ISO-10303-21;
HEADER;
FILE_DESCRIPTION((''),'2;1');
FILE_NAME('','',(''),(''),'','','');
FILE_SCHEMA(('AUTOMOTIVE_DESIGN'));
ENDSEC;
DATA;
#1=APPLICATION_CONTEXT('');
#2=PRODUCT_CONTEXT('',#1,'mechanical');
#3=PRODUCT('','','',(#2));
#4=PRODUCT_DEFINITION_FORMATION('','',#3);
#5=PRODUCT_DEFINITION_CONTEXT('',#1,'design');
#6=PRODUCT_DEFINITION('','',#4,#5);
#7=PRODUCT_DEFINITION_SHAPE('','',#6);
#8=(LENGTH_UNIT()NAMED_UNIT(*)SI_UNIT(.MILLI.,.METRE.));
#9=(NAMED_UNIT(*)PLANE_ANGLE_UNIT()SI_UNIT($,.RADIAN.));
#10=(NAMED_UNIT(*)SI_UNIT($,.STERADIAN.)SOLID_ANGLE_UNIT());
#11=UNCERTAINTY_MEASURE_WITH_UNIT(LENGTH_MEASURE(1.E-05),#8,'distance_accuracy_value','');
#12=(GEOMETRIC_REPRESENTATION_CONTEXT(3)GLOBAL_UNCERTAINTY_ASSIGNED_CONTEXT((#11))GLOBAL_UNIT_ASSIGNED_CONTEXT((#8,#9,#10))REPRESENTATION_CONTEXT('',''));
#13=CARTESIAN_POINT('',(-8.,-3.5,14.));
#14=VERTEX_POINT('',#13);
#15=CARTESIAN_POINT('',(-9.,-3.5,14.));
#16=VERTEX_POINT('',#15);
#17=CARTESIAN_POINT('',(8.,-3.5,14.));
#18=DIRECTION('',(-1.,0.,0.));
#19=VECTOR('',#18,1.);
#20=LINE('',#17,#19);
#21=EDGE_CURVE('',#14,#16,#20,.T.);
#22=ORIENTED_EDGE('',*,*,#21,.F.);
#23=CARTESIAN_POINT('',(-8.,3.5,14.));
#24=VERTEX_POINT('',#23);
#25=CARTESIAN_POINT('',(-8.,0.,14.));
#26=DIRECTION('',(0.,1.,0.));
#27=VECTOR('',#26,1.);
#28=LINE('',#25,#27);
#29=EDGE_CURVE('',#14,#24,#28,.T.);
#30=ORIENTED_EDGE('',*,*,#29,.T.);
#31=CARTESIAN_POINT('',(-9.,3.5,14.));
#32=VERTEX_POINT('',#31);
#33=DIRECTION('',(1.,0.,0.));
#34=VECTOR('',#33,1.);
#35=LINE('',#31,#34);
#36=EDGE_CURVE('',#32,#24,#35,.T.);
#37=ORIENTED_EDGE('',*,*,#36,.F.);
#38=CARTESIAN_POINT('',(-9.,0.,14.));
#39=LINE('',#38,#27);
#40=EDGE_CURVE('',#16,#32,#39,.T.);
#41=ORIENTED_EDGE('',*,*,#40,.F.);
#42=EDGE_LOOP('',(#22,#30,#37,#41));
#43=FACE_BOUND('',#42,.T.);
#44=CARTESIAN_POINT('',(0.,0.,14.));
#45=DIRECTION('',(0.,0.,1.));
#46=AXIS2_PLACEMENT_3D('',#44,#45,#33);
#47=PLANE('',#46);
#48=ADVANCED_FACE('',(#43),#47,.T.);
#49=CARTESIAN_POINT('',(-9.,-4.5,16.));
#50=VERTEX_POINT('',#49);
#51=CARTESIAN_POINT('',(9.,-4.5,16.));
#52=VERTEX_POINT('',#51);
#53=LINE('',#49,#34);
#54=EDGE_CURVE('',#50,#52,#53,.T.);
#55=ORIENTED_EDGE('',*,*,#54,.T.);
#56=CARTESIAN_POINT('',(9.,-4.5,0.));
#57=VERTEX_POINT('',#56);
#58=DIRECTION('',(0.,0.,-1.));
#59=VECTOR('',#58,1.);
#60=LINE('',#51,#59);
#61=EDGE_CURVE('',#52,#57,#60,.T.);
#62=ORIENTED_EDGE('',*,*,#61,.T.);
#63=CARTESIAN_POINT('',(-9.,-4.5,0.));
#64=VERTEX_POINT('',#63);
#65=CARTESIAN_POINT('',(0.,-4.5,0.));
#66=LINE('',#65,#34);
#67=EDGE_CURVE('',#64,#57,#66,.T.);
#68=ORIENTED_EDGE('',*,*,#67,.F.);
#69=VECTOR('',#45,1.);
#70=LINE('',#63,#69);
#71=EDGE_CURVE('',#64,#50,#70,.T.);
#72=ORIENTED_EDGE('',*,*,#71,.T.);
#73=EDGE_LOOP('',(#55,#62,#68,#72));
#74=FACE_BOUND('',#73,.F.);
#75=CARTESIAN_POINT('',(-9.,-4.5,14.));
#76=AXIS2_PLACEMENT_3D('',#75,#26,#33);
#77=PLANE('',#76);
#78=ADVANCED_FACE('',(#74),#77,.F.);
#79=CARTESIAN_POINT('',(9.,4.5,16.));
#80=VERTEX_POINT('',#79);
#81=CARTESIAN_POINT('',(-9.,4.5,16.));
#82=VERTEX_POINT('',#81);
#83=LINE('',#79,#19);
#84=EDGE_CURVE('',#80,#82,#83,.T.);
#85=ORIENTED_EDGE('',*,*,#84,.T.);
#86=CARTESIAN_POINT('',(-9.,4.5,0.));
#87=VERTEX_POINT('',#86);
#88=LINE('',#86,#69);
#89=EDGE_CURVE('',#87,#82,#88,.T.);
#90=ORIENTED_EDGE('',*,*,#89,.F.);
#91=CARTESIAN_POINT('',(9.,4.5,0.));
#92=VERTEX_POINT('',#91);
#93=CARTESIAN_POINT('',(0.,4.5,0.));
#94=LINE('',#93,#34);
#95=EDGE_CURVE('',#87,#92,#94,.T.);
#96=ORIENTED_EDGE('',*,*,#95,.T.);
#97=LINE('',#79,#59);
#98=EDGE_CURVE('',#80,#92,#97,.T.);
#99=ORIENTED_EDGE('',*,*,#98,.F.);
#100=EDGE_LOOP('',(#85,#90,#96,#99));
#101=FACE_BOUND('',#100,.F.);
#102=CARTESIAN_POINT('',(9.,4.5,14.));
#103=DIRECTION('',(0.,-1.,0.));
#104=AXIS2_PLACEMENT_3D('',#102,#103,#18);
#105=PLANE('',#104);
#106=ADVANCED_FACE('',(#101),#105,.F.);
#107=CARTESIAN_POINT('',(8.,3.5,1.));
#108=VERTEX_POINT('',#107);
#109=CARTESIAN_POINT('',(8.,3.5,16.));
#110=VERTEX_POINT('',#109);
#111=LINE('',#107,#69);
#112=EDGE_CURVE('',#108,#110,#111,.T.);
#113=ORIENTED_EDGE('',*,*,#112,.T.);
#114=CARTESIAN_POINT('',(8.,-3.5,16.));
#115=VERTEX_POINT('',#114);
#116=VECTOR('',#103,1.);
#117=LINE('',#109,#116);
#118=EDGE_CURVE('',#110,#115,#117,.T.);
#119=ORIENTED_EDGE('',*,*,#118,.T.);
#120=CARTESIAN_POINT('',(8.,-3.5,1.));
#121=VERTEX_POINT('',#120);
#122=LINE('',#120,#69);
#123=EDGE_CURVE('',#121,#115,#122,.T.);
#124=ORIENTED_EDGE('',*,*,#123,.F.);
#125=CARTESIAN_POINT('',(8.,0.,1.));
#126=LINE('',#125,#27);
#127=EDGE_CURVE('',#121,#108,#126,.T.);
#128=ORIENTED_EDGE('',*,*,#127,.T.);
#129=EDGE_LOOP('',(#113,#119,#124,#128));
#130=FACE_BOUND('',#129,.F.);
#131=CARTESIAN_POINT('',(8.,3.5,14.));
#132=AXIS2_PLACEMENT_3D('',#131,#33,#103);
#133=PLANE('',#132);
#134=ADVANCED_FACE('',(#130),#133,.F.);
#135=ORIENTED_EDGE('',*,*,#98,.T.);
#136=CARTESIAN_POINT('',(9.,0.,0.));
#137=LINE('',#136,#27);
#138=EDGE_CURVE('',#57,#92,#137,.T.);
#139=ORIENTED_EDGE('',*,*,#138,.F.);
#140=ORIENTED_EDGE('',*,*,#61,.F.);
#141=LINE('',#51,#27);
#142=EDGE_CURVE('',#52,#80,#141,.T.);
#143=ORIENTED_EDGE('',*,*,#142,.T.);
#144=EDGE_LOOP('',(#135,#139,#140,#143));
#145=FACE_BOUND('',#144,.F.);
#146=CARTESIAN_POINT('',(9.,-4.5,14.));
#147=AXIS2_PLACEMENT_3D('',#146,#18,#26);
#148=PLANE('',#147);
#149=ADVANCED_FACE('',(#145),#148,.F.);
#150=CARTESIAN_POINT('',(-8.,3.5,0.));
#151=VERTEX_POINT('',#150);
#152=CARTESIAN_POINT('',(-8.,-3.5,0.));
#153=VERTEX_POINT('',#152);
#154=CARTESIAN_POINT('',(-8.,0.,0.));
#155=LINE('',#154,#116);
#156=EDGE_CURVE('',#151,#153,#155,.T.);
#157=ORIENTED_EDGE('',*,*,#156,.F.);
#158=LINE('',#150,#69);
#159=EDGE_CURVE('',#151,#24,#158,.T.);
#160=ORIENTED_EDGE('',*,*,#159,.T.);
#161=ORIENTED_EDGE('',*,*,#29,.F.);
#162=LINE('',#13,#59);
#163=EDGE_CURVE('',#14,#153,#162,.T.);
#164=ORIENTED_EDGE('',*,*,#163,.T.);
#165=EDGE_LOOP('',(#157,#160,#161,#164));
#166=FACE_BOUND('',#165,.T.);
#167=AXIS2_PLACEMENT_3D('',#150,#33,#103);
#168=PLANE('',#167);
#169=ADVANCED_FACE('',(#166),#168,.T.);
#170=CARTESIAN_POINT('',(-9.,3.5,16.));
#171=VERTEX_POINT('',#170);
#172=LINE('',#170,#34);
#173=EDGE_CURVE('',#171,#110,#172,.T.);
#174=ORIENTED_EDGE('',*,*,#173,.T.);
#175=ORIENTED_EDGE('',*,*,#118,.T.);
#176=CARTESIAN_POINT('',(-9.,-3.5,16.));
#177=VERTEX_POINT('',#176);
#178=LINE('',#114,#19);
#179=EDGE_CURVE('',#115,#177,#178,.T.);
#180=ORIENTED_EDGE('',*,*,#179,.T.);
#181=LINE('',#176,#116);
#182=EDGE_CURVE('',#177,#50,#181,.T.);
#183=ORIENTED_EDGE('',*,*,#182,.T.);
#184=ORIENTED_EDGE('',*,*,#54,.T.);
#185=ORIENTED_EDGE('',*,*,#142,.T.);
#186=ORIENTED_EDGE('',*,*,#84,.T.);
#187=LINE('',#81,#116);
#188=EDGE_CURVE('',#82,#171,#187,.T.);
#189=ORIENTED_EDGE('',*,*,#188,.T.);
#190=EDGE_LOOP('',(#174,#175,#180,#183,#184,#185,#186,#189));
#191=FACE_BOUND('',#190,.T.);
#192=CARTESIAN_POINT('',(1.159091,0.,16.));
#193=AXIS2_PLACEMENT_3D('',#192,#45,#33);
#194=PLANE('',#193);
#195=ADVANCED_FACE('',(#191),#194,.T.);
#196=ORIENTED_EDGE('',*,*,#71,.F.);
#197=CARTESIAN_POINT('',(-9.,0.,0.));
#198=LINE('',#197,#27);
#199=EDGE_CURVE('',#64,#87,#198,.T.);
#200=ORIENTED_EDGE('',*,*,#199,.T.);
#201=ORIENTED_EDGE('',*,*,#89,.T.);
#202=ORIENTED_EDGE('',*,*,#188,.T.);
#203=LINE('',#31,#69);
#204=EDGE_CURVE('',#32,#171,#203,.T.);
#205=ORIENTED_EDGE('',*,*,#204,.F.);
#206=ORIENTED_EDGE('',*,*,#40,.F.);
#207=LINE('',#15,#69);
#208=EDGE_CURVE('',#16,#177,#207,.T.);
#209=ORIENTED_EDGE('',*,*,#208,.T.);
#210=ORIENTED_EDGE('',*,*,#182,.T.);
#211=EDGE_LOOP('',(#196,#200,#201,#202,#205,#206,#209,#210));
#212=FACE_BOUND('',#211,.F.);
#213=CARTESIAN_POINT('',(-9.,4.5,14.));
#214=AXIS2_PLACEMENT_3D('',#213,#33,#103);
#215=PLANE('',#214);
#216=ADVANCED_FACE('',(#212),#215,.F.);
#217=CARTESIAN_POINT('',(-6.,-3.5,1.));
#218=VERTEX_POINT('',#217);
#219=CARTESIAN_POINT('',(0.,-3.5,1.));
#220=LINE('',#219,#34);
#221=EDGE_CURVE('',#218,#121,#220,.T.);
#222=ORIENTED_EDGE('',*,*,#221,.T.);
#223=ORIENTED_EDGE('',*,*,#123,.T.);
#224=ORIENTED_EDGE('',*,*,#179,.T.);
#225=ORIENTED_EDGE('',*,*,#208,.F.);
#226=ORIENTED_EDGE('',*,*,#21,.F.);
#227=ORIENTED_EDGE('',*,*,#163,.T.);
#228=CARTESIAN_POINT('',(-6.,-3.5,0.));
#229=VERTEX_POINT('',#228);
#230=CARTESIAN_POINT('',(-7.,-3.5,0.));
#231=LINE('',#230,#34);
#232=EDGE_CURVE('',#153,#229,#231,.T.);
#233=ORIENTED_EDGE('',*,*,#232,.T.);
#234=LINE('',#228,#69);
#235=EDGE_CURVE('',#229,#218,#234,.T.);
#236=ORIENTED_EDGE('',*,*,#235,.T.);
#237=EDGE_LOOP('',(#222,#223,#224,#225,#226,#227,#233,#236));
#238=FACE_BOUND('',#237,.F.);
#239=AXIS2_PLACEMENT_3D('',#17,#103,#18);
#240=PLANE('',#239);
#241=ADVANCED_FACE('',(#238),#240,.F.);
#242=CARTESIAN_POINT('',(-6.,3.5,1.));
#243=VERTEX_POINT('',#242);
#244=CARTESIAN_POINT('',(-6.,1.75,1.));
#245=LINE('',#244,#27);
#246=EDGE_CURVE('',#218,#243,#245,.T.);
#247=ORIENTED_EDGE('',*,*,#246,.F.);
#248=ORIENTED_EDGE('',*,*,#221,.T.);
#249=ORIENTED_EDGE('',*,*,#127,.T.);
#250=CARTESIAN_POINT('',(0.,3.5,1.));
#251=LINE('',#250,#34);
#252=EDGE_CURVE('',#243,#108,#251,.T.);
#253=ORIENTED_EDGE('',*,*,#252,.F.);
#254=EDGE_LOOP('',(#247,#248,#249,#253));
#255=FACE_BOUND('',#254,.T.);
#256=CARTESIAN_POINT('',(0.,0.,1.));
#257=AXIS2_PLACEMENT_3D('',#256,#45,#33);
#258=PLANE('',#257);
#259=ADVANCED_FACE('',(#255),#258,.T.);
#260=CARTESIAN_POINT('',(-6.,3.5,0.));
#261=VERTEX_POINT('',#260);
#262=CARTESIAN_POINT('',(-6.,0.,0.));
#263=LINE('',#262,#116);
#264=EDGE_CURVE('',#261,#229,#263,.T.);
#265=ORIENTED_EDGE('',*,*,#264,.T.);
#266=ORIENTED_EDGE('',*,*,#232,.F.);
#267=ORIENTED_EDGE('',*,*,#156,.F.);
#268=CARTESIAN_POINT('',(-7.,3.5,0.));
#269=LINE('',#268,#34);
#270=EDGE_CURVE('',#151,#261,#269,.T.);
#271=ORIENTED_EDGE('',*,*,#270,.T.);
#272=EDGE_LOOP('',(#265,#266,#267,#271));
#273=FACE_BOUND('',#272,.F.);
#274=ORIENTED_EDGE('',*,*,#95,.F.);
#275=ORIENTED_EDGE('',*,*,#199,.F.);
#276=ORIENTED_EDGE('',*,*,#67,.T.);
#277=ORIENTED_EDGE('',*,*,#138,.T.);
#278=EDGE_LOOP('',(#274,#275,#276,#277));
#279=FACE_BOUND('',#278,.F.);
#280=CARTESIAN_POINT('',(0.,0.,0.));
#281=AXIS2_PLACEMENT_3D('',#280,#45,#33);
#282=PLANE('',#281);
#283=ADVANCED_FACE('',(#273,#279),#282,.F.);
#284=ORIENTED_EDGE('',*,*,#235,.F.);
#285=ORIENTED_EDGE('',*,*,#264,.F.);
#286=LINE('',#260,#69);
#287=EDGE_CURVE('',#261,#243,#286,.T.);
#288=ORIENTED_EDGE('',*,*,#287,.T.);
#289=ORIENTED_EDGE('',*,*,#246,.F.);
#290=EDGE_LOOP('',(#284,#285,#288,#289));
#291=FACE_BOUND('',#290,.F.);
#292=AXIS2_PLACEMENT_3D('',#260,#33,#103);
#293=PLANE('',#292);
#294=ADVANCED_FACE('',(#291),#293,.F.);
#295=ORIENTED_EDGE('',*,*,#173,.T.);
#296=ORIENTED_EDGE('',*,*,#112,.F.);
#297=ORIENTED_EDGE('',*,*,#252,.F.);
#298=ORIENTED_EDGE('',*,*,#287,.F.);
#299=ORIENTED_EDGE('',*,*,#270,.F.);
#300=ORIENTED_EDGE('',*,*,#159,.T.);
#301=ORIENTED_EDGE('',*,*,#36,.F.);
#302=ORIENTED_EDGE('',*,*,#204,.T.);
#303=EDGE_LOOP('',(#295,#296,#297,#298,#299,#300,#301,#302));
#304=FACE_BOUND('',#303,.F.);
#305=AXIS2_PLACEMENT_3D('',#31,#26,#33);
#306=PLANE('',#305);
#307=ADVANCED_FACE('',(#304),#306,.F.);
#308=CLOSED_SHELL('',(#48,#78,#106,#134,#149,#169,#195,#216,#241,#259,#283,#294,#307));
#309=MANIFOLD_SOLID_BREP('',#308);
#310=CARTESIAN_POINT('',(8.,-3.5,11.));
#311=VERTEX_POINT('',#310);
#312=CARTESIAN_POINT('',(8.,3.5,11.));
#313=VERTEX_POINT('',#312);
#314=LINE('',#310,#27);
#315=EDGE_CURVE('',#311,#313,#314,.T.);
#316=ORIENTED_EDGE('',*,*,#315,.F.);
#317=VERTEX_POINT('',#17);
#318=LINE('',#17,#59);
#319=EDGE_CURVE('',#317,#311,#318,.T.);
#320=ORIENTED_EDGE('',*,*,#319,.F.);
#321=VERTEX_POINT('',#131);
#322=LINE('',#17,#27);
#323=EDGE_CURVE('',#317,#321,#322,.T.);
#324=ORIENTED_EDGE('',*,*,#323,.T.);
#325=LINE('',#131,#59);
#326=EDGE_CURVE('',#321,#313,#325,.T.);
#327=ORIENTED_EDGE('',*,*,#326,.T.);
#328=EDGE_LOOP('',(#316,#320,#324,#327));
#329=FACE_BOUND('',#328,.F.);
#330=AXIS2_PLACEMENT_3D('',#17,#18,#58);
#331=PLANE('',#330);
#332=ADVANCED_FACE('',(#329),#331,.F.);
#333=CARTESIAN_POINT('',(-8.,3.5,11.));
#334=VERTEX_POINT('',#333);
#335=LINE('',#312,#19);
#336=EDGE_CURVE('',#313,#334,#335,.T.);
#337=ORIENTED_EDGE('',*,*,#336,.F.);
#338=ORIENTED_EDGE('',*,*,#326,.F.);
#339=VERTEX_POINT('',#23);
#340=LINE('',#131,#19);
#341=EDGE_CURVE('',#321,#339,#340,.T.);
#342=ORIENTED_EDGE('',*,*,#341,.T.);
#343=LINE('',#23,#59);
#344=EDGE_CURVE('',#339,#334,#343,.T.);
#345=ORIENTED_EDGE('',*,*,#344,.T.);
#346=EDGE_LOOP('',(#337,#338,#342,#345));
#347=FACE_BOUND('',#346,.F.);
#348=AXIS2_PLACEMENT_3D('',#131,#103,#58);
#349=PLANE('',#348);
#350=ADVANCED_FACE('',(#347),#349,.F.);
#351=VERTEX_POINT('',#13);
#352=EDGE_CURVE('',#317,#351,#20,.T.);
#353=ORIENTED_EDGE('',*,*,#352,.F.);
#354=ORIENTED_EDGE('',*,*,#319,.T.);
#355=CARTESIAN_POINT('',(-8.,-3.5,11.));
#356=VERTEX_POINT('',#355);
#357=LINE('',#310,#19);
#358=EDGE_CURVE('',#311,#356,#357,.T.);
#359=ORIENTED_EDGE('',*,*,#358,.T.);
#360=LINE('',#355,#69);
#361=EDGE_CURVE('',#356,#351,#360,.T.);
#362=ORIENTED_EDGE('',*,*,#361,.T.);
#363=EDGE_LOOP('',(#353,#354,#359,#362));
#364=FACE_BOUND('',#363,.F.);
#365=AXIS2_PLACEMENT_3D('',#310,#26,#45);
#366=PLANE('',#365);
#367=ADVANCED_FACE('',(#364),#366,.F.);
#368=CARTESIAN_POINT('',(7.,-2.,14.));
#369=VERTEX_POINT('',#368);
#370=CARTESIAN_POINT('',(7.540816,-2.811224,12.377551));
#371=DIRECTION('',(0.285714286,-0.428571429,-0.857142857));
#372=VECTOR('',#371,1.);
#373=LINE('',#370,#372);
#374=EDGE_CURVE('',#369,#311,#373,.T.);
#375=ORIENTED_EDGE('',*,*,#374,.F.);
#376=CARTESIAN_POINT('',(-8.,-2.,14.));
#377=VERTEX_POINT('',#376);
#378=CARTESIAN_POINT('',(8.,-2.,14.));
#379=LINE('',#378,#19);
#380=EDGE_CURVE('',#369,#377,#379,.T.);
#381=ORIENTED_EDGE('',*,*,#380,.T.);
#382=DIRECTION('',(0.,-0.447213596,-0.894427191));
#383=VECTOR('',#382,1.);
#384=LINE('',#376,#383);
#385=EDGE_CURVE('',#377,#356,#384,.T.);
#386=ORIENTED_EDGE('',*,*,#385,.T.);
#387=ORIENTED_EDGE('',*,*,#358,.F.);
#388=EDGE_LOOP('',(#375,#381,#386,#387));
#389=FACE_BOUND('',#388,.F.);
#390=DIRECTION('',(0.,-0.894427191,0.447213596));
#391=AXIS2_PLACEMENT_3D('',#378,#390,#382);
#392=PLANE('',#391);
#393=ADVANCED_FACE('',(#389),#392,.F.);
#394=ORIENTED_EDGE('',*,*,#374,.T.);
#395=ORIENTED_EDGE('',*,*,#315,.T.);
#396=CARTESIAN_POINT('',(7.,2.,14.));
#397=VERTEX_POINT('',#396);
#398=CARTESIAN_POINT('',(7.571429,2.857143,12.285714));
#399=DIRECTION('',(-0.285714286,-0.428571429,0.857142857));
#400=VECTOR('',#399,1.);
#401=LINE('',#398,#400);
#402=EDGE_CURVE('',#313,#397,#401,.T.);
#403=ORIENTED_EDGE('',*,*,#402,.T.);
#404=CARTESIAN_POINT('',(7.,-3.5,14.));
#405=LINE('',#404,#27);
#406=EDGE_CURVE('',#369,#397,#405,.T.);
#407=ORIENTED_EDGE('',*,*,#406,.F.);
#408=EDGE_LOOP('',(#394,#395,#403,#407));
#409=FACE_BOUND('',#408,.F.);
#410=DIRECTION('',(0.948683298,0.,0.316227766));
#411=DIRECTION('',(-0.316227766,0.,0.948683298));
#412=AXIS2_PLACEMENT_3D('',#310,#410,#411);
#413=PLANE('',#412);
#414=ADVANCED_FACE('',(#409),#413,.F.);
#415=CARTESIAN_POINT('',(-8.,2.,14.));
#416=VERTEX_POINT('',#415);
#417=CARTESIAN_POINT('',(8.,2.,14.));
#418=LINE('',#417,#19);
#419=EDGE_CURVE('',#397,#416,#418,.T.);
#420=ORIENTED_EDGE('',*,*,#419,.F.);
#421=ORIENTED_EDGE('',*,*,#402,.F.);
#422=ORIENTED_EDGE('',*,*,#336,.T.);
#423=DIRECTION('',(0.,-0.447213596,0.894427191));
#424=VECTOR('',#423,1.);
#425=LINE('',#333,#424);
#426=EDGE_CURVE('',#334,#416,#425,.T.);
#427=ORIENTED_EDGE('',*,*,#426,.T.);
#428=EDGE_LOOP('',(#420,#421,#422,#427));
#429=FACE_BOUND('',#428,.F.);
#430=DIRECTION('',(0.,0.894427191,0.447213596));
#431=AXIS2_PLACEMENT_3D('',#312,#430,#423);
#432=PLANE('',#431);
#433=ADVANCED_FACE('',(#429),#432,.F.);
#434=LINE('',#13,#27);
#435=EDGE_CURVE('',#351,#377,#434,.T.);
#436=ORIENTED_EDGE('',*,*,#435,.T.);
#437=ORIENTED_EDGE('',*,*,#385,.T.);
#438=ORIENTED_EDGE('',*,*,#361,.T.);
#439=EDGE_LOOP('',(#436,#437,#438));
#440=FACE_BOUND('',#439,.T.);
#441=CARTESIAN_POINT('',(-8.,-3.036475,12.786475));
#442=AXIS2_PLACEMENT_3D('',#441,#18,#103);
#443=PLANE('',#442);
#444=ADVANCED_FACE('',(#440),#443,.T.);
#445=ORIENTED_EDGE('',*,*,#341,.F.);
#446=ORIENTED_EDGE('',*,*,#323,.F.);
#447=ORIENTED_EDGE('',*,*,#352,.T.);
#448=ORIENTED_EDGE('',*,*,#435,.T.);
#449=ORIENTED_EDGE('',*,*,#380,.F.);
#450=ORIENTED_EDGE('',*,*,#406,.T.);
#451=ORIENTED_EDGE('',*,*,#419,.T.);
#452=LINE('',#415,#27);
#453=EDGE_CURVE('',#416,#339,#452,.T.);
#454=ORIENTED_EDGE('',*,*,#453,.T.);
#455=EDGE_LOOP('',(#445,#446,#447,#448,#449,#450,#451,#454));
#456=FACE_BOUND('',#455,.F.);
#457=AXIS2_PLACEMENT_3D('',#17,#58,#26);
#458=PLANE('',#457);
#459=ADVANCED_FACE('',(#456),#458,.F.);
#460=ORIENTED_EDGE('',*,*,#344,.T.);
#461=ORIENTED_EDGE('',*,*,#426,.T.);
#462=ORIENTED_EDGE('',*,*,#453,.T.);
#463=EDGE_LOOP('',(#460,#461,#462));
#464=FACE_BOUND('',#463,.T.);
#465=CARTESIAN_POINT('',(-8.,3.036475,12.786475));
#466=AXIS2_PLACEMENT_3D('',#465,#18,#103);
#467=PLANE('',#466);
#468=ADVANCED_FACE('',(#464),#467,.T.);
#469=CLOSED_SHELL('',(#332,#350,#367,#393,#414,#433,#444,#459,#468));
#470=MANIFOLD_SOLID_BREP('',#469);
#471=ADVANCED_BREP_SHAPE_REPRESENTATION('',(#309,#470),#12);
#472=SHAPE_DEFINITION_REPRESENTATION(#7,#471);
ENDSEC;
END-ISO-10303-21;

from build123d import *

# Parameters (mm, degrees)
F0_W      = 18
F0_H      = 9
F1_DEPTH  = 14
F2_W      = 16
F2_H      = 7
F3_DEPTH  = 13
F4_W      = 2
F4_H      = 7
F5_DEPTH  = 6
F6_DEPTH  = 9
F8_DEPTH  = 2
F10_DEPTH = 7
F12_DEPTH = 16


with BuildPart() as f1:
    # F0 (on Top) → F1 (new body)
    with BuildSketch(Plane.XY):
        Rectangle(F0_W, F0_H)
    extrude(amount=F1_DEPTH)

    # F2 (on face) → F3 (cut)
    with BuildSketch(Plane.XY.offset(14)):
        Rectangle(F2_W, F2_H)
    extrude(amount=-F3_DEPTH, mode=Mode.SUBTRACT)

    # F4 (on face) → F5 (cut)
    with BuildSketch(Plane(origin=(0, 0, 0), x_dir=(1, 0, 0), z_dir=(0, 0, -1))):
        with Locations((-7, 0)):
            Rectangle(F4_W, F4_H)
    extrude(amount=-F5_DEPTH, mode=Mode.SUBTRACT)

    # F4 (on face) → F6 (cut)
    with BuildSketch(Plane(origin=(0, 0, 0), x_dir=(1, 0, 0), z_dir=(0, 0, -1))):
        with Locations((-7, 0)):
            Rectangle(F4_W, F4_H)
    extrude(amount=-F6_DEPTH, mode=Mode.SUBTRACT)

    # F7 (on face) → F8 (join)
    with BuildSketch(Plane.XY.offset(14)):
        Polygon((9, 4.5), (-9, 4.5), (-9, 3.5), (8, 3.5), (8, -3.5), (-9, -3.5), (-9, -4.5), (9, -4.5), align=None)
    extrude(amount=F8_DEPTH)


with BuildPart() as f10:
    # F9 (on face) → F10 (new body)
    with BuildSketch(Plane(origin=(0, -3.5, 0), x_dir=(-1, 0, 0), z_dir=(0, 1, 0))):
        Polygon((-7, 14), (-8, 14), (-8, 11), align=None)
    extrude(amount=F10_DEPTH)

    # F11 (on face) → F12 (join)
    with BuildSketch(Plane(origin=(8, 0, 0), x_dir=(0, -1, 0), z_dir=(-1, 0, 0))):
        Polygon((3.5, 11), (3.5, 14), (2, 14), align=None)
        Polygon((-3.5, 11), (-2, 14), (-3.5, 14), align=None)
    extrude(amount=F12_DEPTH)


solid = Compound([f1.part, f10.part])
